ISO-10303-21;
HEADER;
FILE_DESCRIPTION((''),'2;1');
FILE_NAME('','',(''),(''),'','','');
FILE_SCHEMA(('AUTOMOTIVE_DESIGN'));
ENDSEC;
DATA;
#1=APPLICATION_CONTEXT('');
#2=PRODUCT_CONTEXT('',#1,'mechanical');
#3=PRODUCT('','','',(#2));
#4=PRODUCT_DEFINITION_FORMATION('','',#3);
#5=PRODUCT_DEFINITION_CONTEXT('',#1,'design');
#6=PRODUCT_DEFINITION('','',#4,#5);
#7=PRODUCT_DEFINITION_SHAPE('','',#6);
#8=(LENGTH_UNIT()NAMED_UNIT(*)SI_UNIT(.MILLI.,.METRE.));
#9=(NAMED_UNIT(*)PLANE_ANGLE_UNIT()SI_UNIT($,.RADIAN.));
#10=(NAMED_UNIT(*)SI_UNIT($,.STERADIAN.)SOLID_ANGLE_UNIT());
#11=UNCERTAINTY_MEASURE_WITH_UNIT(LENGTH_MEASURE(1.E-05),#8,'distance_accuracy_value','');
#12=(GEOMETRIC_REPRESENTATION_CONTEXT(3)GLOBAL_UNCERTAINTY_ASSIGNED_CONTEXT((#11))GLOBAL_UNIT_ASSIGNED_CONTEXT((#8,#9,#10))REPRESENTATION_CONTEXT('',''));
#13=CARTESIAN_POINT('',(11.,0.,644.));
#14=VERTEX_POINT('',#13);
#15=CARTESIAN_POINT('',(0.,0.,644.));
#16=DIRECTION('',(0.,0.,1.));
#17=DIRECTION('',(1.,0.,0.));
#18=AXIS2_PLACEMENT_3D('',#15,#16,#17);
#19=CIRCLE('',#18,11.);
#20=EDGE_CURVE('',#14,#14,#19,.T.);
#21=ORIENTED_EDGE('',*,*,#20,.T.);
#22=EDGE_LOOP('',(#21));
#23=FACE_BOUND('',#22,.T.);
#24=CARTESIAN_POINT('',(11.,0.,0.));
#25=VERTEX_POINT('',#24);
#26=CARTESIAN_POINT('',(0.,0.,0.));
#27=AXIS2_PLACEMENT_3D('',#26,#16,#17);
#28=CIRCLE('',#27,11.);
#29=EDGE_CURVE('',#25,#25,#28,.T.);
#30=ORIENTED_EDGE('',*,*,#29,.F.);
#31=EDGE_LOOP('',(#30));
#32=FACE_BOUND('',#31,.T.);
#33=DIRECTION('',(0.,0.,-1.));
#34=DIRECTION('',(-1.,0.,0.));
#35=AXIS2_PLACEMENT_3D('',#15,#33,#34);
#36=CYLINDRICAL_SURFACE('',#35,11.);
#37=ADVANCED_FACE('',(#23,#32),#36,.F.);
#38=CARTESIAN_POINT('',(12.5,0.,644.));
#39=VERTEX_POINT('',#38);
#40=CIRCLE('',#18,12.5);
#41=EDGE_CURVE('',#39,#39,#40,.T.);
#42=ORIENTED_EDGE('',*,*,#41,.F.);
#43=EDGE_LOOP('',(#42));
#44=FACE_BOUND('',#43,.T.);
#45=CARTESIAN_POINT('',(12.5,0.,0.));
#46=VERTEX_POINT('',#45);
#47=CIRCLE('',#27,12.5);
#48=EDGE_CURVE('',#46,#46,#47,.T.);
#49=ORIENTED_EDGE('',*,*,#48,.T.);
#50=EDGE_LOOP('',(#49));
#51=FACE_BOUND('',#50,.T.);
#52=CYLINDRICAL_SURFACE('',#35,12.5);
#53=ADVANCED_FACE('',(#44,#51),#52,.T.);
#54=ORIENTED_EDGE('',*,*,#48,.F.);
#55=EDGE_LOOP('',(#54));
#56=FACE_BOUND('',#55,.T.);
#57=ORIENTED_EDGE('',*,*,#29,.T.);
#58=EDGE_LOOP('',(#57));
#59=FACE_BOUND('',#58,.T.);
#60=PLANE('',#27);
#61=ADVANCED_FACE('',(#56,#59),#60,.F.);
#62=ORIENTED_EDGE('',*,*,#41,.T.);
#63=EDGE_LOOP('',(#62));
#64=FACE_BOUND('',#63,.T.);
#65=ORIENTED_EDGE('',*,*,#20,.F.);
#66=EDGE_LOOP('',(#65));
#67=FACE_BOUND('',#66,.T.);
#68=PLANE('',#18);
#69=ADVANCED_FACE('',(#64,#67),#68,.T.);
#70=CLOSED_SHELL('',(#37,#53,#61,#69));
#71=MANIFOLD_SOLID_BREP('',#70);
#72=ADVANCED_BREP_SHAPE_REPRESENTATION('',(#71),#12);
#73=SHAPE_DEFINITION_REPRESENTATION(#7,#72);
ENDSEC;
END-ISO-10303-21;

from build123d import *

# Parameters (mm, degrees)
ESQUISSE1_R        = 12.5
ESQUISSE1_R_2      = 11
BOSS_EXTRU_1_DEPTH = 644


with BuildPart() as part:
    # Esquisse1 → Boss.-Extru.1 (new body)
    with BuildSketch(Plane.XY):
        Circle(ESQUISSE1_R)
        Circle(ESQUISSE1_R_2, mode=Mode.SUBTRACT)
    extrude(amount=BOSS_EXTRU_1_DEPTH)


solid = part.part
